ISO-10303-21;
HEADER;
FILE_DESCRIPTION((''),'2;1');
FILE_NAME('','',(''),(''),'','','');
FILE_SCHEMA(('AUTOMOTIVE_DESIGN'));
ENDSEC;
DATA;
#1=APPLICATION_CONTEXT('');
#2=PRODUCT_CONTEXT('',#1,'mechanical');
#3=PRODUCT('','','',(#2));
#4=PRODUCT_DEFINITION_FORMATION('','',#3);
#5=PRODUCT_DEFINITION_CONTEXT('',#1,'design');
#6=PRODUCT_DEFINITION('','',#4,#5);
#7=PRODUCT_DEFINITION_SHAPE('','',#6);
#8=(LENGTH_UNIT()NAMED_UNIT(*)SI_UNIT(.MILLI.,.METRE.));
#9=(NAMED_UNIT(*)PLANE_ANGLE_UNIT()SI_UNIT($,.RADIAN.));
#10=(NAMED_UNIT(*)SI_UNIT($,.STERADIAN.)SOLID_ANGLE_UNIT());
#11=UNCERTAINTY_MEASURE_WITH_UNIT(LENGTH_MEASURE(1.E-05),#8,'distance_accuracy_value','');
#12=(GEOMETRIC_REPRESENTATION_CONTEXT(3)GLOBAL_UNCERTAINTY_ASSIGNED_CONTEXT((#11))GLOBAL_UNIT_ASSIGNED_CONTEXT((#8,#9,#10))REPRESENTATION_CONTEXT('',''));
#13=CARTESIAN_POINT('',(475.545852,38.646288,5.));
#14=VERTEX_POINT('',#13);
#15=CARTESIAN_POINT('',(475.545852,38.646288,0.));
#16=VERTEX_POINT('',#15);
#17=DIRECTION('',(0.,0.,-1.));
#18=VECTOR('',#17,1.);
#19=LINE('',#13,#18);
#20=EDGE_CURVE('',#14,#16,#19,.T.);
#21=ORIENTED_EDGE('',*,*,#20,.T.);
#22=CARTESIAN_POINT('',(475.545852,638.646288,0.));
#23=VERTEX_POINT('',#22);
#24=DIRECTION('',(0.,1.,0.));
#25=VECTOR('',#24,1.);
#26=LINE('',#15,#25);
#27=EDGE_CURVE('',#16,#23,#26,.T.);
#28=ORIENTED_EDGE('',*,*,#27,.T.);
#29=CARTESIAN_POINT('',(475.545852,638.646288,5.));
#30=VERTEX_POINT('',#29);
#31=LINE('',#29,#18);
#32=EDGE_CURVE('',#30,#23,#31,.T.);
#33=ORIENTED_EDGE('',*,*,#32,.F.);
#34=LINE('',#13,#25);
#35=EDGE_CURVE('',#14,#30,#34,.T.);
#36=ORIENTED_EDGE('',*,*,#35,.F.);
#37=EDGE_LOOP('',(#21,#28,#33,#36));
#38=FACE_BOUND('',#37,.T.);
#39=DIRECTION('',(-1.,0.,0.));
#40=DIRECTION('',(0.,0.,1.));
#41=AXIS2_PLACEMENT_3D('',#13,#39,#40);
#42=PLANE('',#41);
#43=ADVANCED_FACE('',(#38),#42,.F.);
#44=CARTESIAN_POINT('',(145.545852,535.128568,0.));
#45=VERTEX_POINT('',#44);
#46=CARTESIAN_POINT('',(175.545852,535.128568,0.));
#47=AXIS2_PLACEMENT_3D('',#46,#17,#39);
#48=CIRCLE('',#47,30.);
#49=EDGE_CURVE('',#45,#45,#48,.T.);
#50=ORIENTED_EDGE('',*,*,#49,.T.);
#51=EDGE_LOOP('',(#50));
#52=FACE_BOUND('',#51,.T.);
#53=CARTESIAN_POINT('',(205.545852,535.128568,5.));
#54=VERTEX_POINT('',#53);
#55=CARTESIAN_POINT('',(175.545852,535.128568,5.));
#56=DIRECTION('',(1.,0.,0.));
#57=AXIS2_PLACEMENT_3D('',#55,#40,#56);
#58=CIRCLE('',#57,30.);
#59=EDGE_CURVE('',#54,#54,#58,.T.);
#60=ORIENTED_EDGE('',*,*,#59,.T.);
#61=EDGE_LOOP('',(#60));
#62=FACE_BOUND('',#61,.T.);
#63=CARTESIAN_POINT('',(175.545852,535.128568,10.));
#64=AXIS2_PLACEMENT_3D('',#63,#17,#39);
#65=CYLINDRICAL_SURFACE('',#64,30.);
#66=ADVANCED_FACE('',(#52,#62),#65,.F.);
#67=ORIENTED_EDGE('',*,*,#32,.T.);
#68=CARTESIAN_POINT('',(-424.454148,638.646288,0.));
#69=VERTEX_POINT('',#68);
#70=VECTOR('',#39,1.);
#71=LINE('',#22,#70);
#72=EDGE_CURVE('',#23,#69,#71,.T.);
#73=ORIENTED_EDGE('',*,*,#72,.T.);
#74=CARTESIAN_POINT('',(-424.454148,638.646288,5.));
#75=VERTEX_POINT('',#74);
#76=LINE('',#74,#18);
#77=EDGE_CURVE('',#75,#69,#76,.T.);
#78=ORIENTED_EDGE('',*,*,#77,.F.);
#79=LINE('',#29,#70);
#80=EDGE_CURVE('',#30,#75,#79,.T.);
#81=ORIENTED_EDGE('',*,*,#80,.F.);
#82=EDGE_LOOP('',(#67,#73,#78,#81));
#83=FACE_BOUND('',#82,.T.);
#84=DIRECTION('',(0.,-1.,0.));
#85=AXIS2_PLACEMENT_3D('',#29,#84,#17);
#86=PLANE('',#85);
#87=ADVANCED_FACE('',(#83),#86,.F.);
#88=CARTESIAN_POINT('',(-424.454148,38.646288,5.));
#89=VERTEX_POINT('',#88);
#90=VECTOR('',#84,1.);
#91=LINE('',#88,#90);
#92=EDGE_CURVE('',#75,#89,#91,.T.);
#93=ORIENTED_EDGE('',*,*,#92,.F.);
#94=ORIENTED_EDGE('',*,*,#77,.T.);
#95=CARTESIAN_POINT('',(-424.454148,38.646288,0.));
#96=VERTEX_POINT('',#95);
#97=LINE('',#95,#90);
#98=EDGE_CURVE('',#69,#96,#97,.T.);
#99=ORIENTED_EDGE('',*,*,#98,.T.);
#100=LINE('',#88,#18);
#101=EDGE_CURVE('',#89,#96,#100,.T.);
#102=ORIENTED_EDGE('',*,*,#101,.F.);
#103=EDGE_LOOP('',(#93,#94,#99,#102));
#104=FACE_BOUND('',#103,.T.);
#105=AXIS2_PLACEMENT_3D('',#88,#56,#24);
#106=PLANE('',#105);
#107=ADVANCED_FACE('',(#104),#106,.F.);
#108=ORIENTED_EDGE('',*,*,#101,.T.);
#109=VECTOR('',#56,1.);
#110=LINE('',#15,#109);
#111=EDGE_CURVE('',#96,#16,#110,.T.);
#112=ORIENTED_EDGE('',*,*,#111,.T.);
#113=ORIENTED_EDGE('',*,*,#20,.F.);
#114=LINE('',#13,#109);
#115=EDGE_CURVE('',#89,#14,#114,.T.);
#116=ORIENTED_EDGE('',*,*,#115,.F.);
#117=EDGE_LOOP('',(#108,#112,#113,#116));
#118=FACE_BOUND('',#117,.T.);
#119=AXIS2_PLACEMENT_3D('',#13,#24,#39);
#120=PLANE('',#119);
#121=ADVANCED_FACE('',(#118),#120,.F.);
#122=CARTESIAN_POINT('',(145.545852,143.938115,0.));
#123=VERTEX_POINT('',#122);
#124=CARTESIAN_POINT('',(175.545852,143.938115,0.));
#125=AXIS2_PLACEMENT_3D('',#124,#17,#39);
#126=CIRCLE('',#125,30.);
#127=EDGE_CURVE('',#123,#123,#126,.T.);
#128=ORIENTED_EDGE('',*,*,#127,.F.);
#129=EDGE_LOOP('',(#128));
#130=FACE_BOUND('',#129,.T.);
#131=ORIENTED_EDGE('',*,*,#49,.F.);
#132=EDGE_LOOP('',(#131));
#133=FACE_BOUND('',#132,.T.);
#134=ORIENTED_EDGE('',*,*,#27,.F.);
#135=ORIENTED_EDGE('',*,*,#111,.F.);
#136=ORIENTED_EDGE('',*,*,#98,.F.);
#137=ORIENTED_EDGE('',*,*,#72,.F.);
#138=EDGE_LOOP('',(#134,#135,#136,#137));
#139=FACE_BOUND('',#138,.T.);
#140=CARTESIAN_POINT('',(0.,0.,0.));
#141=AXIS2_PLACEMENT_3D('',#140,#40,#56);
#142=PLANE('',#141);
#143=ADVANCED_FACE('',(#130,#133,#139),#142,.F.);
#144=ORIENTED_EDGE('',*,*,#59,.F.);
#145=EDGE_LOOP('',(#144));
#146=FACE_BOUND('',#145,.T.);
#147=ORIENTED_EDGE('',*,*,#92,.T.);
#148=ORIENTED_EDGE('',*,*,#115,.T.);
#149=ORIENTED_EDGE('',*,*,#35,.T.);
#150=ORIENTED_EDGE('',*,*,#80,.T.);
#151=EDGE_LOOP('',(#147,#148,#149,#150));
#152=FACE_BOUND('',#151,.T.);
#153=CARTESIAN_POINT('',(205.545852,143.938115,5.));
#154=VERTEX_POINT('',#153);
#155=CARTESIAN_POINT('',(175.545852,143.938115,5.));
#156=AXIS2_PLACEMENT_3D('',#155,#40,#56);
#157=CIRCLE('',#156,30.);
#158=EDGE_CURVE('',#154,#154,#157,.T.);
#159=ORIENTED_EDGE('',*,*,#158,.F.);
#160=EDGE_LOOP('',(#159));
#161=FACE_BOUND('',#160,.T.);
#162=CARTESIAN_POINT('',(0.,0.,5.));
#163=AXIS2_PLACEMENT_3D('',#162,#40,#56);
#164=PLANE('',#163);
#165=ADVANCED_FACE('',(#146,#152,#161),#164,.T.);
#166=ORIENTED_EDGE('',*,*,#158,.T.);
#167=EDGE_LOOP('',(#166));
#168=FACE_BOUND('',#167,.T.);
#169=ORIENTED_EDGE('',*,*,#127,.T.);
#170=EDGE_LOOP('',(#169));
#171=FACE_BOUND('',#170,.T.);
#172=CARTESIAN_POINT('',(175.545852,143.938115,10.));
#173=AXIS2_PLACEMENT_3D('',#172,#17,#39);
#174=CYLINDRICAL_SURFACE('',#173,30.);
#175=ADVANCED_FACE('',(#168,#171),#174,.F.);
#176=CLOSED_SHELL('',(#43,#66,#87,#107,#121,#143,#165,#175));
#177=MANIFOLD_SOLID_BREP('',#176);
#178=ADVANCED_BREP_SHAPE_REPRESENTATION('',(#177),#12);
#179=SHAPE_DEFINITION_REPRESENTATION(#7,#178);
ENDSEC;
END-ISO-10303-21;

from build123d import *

# Parameters (mm, degrees)
SKETCH1_W           = 900
SKETCH1_H           = 600
BOSS_EXTRUDE1_DEPTH = 5
SKETCH2_R           = 30
CUT_EXTRUDE2_DEPTH  = 10
SKETCH3_R           = 30
CUT_EXTRUDE3_DEPTH  = 10


with BuildPart() as part:
    # Sketch1 → Boss-Extrude1 (new body)
    with BuildSketch(Plane.XY):
        with Locations((25.545851528, 338.64628821)):
            Rectangle(SKETCH1_W, SKETCH1_H)
    extrude(amount=BOSS_EXTRUDE1_DEPTH)

    # Sketch2 → Cut-Extrude2 (cut)
    with BuildSketch(Plane(origin=(0, 0, 0), x_dir=(-1, 0, 0), z_dir=(0, 0, -1))):
        with Locations((-175.545851528, 535.128567936)):
            Circle(SKETCH2_R)
    extrude(amount=-CUT_EXTRUDE2_DEPTH, mode=Mode.SUBTRACT)

    # Sketch3 → Cut-Extrude3 (cut)
    with BuildSketch(Plane(origin=(0, 0, 0), x_dir=(-1, 0, 0), z_dir=(0, 0, -1))):
        with Locations((-175.545851528, 143.938114846)):
            Circle(SKETCH3_R)
    extrude(amount=-CUT_EXTRUDE3_DEPTH, mode=Mode.SUBTRACT)


solid = part.part
